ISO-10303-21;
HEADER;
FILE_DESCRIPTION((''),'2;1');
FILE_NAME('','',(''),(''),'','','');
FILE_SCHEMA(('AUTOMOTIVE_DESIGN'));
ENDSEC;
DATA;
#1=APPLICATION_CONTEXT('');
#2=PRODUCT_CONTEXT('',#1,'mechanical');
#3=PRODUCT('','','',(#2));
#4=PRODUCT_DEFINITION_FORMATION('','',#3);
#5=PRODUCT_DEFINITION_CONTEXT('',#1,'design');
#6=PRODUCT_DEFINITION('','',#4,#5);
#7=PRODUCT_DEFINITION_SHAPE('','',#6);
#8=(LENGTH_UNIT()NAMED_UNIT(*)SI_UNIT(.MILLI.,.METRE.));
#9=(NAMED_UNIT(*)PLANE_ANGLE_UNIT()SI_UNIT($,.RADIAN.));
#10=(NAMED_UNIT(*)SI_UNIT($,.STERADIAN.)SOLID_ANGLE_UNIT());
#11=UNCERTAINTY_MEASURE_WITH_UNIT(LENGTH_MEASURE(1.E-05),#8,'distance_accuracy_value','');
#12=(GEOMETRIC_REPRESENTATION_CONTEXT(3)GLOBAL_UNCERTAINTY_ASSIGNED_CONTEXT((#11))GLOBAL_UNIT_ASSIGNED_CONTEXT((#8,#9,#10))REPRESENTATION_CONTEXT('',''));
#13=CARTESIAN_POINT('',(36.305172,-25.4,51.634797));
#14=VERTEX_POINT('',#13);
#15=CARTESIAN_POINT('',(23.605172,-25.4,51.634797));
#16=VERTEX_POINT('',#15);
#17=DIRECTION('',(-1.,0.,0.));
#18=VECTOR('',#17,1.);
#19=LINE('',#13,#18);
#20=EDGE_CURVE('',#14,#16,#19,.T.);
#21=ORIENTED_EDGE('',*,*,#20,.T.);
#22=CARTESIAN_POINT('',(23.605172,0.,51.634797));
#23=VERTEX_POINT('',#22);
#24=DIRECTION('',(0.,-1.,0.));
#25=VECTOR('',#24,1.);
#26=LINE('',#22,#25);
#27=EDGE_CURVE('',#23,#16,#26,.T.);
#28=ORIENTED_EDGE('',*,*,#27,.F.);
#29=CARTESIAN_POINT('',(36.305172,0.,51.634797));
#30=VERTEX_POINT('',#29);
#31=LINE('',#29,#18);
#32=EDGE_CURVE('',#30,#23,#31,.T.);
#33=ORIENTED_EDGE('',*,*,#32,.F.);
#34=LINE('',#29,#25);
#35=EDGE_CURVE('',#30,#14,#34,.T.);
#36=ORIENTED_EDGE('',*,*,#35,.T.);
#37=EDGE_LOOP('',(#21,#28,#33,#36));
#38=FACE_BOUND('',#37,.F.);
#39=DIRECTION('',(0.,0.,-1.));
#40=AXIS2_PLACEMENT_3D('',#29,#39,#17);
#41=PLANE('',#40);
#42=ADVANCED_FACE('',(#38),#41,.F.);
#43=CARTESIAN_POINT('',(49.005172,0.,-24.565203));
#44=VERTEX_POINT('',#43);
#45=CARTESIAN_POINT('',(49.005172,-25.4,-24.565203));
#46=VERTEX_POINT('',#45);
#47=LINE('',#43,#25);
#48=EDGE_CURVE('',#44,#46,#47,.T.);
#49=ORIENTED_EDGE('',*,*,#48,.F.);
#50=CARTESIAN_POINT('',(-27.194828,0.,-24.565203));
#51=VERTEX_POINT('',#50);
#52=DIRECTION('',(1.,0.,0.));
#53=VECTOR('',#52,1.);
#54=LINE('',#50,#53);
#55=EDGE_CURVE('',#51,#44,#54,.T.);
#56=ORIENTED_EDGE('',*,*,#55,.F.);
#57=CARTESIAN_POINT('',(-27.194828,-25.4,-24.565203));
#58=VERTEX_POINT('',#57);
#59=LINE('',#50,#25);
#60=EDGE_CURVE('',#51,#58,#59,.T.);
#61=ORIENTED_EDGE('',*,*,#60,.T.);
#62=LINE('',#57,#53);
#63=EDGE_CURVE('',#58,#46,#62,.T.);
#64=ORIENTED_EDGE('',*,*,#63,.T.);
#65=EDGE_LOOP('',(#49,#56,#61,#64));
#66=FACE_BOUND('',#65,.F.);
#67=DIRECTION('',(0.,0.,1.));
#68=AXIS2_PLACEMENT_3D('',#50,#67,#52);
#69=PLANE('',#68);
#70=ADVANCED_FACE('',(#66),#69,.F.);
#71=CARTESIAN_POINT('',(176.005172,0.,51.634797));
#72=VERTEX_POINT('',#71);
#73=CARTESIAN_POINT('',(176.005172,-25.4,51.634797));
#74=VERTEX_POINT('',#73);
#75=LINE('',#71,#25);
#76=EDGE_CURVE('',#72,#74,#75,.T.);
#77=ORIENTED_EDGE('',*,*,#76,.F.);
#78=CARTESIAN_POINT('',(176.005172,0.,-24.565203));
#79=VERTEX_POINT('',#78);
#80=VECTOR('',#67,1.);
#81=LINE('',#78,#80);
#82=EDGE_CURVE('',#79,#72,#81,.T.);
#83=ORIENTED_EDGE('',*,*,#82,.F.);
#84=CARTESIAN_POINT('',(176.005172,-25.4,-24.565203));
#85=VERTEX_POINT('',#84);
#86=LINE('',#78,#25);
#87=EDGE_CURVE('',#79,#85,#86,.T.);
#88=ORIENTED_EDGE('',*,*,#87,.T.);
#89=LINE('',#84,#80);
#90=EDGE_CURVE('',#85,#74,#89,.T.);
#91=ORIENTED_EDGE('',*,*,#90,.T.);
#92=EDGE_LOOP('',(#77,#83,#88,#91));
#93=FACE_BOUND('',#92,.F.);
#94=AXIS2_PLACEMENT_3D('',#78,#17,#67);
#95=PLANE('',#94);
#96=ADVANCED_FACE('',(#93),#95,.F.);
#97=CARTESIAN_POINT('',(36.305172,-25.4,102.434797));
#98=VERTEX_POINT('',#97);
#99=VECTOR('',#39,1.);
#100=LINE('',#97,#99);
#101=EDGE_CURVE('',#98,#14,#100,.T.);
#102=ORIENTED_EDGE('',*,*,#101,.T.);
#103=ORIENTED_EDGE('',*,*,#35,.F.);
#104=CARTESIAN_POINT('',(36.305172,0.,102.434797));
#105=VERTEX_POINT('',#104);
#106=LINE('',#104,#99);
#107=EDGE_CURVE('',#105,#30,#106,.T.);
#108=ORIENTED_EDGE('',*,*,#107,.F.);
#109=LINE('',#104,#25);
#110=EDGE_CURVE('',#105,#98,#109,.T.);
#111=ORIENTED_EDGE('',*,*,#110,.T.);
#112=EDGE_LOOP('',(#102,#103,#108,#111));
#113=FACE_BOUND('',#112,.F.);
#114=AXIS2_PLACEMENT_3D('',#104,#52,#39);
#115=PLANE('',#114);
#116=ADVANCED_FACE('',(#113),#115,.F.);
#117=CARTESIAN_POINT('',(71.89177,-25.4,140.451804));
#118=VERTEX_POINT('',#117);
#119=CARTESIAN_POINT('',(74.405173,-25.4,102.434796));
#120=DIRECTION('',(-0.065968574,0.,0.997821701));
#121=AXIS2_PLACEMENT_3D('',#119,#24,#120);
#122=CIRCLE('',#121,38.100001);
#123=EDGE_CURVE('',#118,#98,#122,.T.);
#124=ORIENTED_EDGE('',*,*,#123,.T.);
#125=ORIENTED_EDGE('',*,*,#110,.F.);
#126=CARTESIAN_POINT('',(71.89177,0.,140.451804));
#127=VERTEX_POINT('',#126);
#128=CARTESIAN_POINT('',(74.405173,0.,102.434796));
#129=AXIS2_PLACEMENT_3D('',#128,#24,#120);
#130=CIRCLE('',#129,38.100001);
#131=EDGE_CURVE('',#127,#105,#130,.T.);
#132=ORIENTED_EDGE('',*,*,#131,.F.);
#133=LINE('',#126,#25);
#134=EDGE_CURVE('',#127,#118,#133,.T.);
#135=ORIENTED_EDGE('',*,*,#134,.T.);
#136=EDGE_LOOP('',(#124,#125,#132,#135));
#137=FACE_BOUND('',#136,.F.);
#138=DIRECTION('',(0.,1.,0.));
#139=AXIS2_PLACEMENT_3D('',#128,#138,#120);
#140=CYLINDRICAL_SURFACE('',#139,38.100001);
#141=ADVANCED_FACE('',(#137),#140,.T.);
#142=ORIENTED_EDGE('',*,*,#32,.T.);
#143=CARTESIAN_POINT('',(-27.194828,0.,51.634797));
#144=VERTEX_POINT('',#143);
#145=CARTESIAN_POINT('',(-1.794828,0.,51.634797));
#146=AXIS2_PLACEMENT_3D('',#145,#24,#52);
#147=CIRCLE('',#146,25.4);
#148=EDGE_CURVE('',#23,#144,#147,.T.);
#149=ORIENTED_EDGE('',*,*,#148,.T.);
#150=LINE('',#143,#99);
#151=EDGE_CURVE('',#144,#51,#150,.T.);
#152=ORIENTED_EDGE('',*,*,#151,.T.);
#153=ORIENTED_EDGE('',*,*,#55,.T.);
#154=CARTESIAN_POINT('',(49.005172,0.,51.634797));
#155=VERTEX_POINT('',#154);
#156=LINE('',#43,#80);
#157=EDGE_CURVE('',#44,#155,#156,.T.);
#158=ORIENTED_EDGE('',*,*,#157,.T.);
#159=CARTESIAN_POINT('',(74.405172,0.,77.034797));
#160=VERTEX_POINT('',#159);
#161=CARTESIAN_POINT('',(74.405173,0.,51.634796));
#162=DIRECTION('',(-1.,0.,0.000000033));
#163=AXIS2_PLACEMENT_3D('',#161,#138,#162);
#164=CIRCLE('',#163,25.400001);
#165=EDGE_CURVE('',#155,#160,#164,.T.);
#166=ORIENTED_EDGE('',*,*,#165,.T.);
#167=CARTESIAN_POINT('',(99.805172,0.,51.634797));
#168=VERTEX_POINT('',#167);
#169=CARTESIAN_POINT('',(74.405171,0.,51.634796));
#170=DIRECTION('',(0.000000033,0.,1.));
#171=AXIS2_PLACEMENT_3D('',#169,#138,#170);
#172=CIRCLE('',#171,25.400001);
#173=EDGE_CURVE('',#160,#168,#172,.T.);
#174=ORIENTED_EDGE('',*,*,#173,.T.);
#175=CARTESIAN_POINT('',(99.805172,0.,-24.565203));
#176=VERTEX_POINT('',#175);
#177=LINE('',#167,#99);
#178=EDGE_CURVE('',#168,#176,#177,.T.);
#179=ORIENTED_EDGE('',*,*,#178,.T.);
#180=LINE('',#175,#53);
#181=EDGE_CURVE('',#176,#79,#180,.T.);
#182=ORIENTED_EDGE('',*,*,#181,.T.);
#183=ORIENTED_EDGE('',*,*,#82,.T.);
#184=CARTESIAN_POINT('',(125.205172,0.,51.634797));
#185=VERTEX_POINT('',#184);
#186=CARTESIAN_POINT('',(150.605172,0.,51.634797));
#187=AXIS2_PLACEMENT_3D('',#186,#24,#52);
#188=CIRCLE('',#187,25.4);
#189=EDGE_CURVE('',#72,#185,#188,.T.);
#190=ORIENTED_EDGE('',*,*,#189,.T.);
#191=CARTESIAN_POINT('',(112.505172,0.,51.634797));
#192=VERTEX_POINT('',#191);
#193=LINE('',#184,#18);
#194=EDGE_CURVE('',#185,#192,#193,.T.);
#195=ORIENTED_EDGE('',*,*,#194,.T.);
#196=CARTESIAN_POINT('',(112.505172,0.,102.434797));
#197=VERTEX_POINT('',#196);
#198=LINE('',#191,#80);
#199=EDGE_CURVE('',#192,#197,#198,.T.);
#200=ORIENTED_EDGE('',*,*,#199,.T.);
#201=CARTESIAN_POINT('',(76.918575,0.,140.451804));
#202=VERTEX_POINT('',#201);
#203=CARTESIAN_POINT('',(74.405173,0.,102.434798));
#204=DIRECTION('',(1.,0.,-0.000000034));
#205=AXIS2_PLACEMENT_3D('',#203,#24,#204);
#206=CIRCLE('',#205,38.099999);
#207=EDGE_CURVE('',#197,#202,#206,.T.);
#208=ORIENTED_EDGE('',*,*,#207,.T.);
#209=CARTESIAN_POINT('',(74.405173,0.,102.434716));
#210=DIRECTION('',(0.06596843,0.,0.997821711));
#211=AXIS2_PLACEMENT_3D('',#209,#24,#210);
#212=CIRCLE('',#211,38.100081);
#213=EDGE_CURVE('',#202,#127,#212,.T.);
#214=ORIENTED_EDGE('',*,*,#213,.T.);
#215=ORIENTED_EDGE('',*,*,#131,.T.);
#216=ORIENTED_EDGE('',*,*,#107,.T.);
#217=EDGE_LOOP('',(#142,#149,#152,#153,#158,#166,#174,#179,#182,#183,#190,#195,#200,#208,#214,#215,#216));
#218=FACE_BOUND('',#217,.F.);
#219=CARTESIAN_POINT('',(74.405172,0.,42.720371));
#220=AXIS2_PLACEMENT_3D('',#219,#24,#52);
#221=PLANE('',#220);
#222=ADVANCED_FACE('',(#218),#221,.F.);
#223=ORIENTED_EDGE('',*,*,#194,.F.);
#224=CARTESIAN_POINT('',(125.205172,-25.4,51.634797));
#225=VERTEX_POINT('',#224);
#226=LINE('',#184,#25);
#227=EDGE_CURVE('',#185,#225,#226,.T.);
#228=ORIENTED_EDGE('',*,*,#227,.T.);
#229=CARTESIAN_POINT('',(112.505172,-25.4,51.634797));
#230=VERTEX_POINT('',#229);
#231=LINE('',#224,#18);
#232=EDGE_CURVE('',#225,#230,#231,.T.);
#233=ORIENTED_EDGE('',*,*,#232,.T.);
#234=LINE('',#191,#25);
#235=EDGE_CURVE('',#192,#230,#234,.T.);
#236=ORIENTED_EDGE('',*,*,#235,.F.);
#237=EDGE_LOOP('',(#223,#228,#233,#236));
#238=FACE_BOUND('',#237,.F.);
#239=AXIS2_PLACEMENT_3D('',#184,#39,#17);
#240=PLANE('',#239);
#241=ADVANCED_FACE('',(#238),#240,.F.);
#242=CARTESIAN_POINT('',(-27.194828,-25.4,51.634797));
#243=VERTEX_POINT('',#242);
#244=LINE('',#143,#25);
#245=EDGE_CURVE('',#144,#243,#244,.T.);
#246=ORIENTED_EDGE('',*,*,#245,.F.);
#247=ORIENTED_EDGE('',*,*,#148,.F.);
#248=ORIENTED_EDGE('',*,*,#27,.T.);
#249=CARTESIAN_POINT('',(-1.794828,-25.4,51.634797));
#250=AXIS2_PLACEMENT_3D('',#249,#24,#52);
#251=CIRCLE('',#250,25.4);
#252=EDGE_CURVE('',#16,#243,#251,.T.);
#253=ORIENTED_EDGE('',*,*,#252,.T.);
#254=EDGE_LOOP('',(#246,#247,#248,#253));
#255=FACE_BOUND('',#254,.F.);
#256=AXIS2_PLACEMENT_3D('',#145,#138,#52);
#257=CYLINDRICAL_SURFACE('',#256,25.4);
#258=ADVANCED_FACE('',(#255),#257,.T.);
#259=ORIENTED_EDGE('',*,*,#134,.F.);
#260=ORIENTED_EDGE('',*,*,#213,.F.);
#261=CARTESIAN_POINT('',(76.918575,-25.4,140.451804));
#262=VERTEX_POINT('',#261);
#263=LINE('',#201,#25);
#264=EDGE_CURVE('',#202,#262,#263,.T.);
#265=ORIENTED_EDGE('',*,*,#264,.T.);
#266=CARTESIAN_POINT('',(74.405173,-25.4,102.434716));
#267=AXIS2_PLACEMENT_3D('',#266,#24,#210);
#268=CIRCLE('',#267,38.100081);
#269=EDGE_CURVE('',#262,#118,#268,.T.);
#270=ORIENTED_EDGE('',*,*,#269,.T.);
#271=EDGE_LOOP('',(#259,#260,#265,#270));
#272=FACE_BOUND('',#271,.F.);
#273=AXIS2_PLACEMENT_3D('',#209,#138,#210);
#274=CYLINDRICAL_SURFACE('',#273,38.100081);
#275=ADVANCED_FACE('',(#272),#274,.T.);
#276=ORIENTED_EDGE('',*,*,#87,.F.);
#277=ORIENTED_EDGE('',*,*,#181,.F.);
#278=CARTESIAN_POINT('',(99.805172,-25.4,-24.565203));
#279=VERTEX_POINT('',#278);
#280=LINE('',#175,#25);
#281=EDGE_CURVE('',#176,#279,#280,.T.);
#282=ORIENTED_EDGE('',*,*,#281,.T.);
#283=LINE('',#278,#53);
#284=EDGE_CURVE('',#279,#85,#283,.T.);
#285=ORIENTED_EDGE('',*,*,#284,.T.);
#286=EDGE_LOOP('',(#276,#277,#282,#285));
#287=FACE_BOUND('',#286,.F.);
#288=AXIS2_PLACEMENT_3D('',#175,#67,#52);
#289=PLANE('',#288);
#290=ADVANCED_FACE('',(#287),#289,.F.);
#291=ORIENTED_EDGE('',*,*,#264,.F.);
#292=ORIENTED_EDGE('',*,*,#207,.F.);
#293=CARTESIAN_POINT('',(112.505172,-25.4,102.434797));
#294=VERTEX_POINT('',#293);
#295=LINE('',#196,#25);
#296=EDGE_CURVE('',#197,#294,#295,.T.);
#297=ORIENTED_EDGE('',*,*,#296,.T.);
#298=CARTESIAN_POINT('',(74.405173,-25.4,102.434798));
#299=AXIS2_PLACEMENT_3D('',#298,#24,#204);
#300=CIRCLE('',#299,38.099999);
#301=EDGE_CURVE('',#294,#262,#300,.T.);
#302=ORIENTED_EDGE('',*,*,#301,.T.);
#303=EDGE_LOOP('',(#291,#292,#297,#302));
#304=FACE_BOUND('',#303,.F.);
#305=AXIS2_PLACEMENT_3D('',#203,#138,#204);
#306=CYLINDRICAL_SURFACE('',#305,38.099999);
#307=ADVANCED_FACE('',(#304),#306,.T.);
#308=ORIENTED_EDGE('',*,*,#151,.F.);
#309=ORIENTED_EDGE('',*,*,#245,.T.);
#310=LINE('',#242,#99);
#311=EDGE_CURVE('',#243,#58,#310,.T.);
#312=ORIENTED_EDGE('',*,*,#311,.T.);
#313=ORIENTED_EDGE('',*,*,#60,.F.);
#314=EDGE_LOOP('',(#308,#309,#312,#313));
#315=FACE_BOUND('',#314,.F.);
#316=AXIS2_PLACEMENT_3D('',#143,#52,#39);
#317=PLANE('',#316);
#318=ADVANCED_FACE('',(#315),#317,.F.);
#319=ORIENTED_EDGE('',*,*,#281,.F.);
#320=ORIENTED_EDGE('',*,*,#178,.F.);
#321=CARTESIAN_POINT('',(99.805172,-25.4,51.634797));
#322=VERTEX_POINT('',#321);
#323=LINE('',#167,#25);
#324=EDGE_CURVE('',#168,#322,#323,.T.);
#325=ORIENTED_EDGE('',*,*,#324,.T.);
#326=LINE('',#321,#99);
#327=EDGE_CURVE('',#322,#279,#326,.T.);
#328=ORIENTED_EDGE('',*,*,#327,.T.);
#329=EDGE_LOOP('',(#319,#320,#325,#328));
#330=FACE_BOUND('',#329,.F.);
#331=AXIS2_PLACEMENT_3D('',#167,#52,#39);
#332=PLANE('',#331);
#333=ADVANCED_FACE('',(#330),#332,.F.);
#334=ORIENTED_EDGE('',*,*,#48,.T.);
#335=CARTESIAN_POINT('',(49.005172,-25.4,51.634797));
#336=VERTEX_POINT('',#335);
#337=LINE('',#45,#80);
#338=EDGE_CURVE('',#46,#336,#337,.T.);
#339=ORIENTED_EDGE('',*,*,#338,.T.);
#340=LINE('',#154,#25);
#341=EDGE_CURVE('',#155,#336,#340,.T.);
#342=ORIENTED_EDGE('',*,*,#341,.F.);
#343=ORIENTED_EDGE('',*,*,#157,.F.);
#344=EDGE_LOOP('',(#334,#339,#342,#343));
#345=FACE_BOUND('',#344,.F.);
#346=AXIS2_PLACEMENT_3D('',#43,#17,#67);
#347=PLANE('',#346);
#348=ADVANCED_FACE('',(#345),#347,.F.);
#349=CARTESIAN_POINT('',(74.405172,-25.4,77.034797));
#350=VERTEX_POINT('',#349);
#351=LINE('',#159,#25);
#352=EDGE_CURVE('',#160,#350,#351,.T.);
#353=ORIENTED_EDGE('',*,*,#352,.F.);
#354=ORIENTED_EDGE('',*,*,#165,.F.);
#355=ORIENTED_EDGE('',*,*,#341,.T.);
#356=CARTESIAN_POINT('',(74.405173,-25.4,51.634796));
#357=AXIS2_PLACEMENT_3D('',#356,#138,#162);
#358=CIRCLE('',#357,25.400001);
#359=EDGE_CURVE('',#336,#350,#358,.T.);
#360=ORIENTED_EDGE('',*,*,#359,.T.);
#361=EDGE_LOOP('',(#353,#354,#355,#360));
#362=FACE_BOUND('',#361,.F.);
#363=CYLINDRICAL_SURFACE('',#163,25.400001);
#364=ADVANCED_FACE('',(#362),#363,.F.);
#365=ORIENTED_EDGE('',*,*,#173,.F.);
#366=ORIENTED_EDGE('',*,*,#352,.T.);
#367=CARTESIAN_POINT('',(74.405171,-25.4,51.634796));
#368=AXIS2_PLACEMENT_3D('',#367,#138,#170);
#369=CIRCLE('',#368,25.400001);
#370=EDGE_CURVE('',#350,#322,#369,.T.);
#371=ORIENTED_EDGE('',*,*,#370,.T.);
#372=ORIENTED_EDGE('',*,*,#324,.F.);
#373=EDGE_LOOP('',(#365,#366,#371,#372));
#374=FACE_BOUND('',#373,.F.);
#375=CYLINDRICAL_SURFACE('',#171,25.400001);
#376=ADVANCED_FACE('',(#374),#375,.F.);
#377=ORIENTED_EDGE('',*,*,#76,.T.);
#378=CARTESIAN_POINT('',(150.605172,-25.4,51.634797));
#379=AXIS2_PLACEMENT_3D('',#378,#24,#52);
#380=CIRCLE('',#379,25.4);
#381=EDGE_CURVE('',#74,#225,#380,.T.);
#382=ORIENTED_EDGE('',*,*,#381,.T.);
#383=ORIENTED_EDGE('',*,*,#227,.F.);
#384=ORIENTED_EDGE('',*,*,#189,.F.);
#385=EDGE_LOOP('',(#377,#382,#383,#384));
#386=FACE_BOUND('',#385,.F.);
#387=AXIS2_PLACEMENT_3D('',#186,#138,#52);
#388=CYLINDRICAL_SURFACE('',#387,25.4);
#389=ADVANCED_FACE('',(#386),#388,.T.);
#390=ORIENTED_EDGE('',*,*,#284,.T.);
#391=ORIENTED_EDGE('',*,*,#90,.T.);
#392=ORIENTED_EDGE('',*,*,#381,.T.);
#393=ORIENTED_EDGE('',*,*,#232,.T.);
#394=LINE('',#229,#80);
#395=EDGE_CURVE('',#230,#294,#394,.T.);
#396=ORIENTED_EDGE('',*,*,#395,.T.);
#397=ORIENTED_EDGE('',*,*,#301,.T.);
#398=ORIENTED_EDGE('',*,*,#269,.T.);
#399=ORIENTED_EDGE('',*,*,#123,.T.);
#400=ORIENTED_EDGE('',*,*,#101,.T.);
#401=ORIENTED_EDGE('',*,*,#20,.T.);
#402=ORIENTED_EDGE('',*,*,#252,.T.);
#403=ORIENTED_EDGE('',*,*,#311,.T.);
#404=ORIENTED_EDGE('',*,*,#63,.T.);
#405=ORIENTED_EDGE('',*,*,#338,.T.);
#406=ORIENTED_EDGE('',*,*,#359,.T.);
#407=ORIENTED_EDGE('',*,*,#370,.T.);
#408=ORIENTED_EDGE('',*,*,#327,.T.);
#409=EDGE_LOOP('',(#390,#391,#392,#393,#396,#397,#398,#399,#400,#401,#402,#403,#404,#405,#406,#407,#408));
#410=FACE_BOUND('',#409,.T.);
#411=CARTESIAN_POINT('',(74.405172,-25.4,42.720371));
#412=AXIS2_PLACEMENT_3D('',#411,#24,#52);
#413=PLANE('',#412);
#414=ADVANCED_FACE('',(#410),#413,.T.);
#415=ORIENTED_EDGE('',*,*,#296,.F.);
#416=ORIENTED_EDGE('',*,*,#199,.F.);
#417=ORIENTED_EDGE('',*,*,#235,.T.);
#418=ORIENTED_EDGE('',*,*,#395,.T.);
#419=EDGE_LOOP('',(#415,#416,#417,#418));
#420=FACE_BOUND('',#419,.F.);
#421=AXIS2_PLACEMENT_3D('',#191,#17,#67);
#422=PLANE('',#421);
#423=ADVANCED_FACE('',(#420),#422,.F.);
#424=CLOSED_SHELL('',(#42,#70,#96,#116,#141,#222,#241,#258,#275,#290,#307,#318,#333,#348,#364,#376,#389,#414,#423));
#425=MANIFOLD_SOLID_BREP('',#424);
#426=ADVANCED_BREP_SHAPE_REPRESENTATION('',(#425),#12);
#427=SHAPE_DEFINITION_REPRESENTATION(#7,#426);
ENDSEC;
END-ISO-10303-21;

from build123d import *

# Parameters (mm, degrees)
F1_DEPTH = 25.4


with BuildPart() as f1:
    # F0 (on Front) → F1 (new body)
    with BuildSketch(Plane.XZ):
        with BuildLine():
            Line((-27.194828, 51.634797), (-27.194828, -24.565203))
            Line((-27.194828, -24.565203), (49.005172, -24.565203))
            Line((49.005172, -24.565203), (49.005172, 51.634797))
            ThreePointArc((49.005172, 51.634797), (56.44466, 69.595309), (74.405172, 77.034797))
            ThreePointArc((74.405172, 77.034797), (92.365684, 69.595309), (99.805172, 51.634797))
            Line((99.805172, 51.634797), (99.805172, -24.565203))
            Line((99.805172, -24.565203), (176.005172, -24.565203))
            Line((176.005172, -24.565203), (176.005172, 51.634797))
            ThreePointArc((176.005172, 51.634797), (150.605172, 77.034797), (125.205172, 51.634797))
            Line((125.205172, 51.634797), (112.505172, 51.634797))
            Line((112.505172, 51.634797), (112.505172, 102.434797))
            ThreePointArc((112.505172, 102.434797), (102.220372, 128.471784), (76.918575, 140.451804))
            ThreePointArc((76.918575, 140.451804), (74.405172, 140.534797), (71.89177, 140.451804))
            ThreePointArc((71.89177, 140.451804), (46.589973, 128.471784), (36.305172, 102.434797))
            Line((36.305172, 102.434797), (36.305172, 51.634797))
            Line((36.305172, 51.634797), (23.605172, 51.634797))
            ThreePointArc((23.605172, 51.634797), (-1.794828, 77.034797), (-27.194828, 51.634797))
        make_face()
    extrude(amount=F1_DEPTH)


solid = f1.part
